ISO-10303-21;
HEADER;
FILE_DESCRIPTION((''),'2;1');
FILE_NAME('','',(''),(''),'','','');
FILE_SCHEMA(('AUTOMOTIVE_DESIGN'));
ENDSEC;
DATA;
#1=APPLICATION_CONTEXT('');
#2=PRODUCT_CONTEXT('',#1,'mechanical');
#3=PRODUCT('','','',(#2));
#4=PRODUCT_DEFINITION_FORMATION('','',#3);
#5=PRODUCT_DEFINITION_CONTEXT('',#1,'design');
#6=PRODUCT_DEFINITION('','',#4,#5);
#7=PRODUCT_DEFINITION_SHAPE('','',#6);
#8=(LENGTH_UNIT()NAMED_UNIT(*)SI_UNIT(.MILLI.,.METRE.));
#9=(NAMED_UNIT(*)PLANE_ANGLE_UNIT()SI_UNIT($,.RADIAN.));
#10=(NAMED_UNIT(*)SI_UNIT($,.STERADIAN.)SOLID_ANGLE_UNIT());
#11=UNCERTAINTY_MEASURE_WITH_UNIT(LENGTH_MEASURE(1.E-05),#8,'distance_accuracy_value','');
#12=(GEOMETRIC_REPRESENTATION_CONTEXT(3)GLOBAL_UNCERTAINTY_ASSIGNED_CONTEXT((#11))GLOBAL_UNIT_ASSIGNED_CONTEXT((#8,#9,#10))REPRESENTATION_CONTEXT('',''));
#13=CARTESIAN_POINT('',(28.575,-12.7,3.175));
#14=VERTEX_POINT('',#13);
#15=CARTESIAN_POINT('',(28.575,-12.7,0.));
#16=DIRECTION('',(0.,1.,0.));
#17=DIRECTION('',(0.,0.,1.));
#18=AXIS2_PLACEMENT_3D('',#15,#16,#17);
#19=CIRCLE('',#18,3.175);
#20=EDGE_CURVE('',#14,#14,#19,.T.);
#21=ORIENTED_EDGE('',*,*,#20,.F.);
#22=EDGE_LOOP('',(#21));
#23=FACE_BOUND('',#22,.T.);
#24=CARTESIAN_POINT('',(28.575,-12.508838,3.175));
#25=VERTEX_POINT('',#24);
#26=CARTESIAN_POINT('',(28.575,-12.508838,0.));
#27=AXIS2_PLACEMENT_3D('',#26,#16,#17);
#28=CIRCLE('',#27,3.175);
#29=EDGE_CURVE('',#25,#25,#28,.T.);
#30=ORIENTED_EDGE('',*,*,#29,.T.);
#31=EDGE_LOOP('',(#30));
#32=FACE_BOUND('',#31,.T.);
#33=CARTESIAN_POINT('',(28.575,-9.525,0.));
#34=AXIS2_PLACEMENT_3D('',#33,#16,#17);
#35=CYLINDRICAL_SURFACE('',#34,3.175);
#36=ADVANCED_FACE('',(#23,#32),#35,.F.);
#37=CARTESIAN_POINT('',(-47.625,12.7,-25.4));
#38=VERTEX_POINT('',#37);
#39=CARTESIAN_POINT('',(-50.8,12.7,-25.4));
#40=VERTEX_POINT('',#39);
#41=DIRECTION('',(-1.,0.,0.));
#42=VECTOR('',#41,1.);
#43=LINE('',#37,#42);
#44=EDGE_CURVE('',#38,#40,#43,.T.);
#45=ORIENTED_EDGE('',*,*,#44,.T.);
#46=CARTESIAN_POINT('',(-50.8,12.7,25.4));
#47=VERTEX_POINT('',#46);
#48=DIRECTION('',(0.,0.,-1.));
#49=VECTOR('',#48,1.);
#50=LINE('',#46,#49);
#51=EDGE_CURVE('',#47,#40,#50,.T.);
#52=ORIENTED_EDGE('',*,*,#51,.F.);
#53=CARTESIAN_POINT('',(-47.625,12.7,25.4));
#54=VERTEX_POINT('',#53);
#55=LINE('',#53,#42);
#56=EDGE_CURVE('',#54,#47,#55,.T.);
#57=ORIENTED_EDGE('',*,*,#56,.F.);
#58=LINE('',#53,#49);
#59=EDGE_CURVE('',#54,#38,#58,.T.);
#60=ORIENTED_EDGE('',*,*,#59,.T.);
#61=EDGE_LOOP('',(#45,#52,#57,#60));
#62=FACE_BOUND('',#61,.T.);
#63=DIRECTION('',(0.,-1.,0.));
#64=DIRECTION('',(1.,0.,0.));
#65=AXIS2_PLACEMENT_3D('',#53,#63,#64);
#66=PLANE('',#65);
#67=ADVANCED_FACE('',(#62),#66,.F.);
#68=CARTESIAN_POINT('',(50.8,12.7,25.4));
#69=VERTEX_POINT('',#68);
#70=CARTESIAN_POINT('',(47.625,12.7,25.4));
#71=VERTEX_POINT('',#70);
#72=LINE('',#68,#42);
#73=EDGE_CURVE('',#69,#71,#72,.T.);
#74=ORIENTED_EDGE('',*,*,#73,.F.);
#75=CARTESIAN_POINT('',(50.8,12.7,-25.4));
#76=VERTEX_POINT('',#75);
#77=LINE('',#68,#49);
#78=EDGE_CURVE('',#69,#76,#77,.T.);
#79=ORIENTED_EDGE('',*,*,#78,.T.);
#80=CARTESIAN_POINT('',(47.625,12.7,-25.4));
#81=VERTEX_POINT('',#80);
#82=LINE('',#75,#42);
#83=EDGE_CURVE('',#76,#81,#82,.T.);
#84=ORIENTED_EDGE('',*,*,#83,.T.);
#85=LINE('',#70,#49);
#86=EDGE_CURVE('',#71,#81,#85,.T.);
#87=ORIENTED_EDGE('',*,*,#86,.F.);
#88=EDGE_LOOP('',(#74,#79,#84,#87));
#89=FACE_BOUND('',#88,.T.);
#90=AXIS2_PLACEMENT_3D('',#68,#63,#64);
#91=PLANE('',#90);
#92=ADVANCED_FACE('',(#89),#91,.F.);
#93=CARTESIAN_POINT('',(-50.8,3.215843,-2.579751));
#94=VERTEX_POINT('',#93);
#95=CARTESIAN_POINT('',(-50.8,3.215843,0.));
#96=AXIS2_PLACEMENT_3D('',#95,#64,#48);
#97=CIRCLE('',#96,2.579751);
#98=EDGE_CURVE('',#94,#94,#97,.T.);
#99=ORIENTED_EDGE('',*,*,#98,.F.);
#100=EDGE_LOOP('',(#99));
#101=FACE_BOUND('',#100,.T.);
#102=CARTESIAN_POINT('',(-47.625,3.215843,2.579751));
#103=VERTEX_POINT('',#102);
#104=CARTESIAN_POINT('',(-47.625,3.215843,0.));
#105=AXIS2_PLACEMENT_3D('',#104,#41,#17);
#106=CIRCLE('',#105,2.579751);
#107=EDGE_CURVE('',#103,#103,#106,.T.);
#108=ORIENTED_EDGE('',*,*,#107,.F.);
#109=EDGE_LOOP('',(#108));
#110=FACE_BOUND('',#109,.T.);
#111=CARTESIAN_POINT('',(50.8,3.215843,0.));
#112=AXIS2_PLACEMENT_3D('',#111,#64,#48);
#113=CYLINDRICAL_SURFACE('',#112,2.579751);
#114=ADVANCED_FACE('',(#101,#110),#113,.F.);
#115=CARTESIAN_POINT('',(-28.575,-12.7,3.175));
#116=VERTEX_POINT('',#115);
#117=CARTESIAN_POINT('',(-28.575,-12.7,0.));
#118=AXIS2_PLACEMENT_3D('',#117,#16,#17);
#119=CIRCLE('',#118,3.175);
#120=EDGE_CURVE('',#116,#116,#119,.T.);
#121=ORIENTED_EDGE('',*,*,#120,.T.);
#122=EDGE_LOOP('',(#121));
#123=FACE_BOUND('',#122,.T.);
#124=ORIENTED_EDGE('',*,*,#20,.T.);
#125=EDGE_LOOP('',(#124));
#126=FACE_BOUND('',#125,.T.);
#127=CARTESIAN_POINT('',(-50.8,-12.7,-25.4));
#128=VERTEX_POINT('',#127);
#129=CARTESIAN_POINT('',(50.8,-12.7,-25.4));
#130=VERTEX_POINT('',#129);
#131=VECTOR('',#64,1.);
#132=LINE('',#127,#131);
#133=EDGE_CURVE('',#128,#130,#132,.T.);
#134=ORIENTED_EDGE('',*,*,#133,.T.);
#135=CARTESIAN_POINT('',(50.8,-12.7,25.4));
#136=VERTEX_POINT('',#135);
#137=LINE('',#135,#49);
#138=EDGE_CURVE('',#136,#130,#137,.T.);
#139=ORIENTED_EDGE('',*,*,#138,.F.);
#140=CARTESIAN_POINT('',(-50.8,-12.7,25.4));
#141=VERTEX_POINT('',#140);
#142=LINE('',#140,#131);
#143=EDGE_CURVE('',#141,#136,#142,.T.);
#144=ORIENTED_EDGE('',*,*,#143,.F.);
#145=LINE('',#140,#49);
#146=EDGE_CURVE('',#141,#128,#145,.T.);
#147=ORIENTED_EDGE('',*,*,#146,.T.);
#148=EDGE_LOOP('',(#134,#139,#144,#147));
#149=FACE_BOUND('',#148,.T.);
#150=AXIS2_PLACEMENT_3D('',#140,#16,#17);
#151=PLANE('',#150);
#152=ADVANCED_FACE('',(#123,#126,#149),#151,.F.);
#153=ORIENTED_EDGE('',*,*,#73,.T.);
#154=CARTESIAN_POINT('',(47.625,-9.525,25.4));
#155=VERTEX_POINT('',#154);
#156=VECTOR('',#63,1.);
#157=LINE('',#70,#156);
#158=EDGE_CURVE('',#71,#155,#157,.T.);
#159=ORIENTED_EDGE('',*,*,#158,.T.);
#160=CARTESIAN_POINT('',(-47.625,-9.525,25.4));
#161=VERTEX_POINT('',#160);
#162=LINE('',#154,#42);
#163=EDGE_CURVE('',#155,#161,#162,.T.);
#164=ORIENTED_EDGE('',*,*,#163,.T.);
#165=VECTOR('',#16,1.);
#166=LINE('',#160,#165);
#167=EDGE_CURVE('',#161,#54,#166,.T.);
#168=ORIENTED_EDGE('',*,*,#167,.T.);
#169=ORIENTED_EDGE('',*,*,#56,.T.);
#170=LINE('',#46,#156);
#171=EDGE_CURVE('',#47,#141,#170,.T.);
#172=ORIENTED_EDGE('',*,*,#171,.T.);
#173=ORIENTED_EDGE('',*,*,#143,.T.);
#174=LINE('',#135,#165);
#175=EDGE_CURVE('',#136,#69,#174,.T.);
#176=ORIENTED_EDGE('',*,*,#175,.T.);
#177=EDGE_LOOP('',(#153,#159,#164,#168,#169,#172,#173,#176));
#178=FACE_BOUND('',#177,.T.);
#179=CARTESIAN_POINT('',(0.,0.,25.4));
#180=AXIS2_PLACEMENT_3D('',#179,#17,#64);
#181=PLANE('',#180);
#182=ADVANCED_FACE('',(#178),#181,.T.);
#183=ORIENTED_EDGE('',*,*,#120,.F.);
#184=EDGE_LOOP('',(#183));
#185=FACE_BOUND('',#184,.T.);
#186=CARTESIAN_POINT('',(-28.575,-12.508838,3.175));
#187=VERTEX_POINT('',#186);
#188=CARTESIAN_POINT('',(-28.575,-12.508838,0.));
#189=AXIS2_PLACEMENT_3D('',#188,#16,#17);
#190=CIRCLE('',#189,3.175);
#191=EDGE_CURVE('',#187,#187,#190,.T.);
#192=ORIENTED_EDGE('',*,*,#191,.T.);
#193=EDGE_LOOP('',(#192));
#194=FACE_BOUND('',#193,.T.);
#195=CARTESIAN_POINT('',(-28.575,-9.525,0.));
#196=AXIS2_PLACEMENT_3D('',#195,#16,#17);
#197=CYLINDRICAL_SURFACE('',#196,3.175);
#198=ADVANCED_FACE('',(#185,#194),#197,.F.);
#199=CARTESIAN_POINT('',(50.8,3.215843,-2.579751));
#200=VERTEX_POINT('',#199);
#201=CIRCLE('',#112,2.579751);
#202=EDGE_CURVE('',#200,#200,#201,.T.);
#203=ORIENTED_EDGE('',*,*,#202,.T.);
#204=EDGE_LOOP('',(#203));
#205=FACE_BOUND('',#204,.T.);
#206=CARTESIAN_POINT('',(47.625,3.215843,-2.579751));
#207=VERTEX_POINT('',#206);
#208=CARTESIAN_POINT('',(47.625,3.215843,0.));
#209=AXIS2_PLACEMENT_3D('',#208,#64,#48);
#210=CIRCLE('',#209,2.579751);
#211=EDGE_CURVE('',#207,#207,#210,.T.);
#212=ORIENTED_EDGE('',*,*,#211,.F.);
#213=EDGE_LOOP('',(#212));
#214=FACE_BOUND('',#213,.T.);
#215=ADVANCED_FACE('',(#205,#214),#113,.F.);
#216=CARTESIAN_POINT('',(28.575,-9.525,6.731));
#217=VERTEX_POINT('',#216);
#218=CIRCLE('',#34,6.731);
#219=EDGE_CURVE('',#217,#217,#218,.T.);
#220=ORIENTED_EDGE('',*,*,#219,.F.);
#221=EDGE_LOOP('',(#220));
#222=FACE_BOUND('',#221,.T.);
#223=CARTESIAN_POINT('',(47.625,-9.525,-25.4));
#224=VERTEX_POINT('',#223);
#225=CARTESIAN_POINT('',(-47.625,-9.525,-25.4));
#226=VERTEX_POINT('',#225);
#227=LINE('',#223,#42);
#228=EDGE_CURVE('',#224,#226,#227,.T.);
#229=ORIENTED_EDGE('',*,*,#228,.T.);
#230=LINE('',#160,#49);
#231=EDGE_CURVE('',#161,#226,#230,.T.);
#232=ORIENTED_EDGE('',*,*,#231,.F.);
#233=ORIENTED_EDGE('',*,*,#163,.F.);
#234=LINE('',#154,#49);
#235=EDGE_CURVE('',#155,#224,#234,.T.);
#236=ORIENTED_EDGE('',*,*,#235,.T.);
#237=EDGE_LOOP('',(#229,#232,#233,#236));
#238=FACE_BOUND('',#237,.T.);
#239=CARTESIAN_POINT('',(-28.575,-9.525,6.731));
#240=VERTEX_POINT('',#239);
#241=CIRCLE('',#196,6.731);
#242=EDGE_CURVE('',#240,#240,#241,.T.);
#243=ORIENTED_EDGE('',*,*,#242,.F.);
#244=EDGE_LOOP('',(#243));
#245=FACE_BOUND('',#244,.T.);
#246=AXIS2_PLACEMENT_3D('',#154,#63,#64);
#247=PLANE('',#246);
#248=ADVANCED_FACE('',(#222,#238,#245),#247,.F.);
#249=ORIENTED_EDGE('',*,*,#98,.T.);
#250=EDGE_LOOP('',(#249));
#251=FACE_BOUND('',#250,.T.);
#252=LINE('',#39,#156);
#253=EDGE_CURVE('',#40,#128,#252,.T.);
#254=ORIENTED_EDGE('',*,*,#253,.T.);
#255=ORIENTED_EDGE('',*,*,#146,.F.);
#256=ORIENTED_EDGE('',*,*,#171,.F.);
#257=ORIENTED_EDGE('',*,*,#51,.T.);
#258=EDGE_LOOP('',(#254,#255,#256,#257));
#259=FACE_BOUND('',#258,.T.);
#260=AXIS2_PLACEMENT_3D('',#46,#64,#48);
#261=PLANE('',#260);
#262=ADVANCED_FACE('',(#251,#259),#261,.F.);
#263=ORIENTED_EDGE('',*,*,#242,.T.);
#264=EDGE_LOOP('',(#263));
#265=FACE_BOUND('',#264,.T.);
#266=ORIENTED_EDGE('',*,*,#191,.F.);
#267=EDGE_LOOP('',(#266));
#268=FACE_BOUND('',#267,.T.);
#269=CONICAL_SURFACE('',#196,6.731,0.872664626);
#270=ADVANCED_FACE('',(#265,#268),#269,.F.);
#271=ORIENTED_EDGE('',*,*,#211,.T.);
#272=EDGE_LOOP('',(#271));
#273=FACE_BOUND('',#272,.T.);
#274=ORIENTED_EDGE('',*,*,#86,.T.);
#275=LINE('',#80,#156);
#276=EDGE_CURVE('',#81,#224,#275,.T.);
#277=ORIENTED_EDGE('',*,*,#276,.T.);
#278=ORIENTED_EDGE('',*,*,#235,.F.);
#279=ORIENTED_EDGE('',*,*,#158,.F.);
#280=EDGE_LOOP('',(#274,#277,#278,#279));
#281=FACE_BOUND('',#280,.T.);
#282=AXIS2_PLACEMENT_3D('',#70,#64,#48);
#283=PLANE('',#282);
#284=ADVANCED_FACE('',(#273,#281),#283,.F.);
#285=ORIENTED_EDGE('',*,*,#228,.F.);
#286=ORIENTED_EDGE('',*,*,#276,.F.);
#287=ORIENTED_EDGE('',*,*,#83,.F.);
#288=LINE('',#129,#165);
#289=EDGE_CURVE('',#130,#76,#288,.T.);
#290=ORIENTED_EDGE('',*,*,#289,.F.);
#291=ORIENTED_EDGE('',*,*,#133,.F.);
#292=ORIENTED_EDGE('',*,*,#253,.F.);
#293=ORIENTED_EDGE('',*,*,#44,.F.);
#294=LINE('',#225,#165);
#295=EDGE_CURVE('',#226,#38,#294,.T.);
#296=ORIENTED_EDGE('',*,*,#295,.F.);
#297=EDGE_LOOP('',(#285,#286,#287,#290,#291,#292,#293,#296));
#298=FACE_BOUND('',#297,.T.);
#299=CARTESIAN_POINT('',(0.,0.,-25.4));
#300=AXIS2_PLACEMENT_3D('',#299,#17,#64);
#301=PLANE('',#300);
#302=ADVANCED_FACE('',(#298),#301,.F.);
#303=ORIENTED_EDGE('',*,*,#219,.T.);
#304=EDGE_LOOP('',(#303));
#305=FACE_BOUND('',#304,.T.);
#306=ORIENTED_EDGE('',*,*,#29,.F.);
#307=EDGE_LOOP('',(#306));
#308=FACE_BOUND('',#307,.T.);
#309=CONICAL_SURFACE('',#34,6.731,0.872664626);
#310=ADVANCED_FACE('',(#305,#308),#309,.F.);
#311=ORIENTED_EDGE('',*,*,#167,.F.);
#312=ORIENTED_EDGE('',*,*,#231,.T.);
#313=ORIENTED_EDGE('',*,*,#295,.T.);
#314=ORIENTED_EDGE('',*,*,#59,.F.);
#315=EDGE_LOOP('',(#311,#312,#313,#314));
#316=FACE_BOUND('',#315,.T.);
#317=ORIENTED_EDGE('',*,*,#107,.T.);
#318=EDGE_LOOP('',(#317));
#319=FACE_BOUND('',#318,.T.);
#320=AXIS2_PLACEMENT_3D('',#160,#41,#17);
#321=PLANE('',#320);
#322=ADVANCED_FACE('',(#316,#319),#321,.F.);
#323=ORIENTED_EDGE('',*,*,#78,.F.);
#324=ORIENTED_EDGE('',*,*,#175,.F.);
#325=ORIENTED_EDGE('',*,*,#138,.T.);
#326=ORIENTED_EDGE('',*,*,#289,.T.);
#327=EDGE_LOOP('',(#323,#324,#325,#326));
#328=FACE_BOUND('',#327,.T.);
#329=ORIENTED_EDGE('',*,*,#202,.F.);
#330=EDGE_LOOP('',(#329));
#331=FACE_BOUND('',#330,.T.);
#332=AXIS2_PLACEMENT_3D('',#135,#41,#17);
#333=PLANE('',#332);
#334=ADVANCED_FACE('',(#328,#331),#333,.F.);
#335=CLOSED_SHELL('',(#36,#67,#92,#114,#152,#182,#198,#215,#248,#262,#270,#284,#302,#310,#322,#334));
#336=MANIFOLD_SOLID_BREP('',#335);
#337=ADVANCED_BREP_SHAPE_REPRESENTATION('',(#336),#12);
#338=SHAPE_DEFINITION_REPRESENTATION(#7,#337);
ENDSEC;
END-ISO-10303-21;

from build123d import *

# Parameters (mm, degrees)
BOSS_EXTRUDE2_DEPTH                  = 25.4
F_1_4_0_25_DIAMETER_HOLE1_AT_2_COUNT = 2
F_1_4_0_25_DIAMETER_HOLE1_AT_2_PITCH = 57.15
F_13_64_0_20313_DIAMETER_HOLE1_D     = 5.159502


with BuildPart() as part:
    # Sketch3 → Boss-Extrude2 (new, symmetric)
    with BuildSketch(Plane.XY):
        Polygon((-50.8, 12.7), (-50.8, -12.7), (50.8, -12.7), (50.8, 12.7), (47.625, 12.7), (47.625, -9.525), (-47.625, -9.525), (-47.625, 12.7), align=None)
    extrude(amount=BOSS_EXTRUDE2_DEPTH, both=True)

    # Sketch6 → 1/4 (0.25) Diameter Hole1 (revolve, cut)
    with BuildSketch(Plane(origin=(-28.575, -9.525, 0), x_dir=(0, 0, 1), z_dir=(1, 0, 0))):
        Polygon((0, 0), (0, 3.175), (3.175, 3.175), (3.175, 2.983838288), (6.731, 0), align=None)
    f_1_4_0_25_diameter_hole1 = revolve(axis=Axis((-28.575, -3.175, 0), (0, -1, 0)), mode=Mode.SUBTRACT)

    # 1/4 (0.25) Diameter Hole1 at 2: 1/4 (0.25) Diameter Hole1 ×2
    with Locations(*[(i * F_1_4_0_25_DIAMETER_HOLE1_AT_2_PITCH, 0, 0) for i in range(1, F_1_4_0_25_DIAMETER_HOLE1_AT_2_COUNT)]):
        add(f_1_4_0_25_diameter_hole1, mode=Mode.SUBTRACT)

    # 13/64 (0.20313) Diameter Hole1 (through all)
    with Locations(Plane(origin=(50.8, 0, 0), x_dir=(0, 0, -1), z_dir=(1, 0, 0))):
        with Locations((0, 3.215843377)):
            Hole(F_13_64_0_20313_DIAMETER_HOLE1_D / 2)


solid = part.part
